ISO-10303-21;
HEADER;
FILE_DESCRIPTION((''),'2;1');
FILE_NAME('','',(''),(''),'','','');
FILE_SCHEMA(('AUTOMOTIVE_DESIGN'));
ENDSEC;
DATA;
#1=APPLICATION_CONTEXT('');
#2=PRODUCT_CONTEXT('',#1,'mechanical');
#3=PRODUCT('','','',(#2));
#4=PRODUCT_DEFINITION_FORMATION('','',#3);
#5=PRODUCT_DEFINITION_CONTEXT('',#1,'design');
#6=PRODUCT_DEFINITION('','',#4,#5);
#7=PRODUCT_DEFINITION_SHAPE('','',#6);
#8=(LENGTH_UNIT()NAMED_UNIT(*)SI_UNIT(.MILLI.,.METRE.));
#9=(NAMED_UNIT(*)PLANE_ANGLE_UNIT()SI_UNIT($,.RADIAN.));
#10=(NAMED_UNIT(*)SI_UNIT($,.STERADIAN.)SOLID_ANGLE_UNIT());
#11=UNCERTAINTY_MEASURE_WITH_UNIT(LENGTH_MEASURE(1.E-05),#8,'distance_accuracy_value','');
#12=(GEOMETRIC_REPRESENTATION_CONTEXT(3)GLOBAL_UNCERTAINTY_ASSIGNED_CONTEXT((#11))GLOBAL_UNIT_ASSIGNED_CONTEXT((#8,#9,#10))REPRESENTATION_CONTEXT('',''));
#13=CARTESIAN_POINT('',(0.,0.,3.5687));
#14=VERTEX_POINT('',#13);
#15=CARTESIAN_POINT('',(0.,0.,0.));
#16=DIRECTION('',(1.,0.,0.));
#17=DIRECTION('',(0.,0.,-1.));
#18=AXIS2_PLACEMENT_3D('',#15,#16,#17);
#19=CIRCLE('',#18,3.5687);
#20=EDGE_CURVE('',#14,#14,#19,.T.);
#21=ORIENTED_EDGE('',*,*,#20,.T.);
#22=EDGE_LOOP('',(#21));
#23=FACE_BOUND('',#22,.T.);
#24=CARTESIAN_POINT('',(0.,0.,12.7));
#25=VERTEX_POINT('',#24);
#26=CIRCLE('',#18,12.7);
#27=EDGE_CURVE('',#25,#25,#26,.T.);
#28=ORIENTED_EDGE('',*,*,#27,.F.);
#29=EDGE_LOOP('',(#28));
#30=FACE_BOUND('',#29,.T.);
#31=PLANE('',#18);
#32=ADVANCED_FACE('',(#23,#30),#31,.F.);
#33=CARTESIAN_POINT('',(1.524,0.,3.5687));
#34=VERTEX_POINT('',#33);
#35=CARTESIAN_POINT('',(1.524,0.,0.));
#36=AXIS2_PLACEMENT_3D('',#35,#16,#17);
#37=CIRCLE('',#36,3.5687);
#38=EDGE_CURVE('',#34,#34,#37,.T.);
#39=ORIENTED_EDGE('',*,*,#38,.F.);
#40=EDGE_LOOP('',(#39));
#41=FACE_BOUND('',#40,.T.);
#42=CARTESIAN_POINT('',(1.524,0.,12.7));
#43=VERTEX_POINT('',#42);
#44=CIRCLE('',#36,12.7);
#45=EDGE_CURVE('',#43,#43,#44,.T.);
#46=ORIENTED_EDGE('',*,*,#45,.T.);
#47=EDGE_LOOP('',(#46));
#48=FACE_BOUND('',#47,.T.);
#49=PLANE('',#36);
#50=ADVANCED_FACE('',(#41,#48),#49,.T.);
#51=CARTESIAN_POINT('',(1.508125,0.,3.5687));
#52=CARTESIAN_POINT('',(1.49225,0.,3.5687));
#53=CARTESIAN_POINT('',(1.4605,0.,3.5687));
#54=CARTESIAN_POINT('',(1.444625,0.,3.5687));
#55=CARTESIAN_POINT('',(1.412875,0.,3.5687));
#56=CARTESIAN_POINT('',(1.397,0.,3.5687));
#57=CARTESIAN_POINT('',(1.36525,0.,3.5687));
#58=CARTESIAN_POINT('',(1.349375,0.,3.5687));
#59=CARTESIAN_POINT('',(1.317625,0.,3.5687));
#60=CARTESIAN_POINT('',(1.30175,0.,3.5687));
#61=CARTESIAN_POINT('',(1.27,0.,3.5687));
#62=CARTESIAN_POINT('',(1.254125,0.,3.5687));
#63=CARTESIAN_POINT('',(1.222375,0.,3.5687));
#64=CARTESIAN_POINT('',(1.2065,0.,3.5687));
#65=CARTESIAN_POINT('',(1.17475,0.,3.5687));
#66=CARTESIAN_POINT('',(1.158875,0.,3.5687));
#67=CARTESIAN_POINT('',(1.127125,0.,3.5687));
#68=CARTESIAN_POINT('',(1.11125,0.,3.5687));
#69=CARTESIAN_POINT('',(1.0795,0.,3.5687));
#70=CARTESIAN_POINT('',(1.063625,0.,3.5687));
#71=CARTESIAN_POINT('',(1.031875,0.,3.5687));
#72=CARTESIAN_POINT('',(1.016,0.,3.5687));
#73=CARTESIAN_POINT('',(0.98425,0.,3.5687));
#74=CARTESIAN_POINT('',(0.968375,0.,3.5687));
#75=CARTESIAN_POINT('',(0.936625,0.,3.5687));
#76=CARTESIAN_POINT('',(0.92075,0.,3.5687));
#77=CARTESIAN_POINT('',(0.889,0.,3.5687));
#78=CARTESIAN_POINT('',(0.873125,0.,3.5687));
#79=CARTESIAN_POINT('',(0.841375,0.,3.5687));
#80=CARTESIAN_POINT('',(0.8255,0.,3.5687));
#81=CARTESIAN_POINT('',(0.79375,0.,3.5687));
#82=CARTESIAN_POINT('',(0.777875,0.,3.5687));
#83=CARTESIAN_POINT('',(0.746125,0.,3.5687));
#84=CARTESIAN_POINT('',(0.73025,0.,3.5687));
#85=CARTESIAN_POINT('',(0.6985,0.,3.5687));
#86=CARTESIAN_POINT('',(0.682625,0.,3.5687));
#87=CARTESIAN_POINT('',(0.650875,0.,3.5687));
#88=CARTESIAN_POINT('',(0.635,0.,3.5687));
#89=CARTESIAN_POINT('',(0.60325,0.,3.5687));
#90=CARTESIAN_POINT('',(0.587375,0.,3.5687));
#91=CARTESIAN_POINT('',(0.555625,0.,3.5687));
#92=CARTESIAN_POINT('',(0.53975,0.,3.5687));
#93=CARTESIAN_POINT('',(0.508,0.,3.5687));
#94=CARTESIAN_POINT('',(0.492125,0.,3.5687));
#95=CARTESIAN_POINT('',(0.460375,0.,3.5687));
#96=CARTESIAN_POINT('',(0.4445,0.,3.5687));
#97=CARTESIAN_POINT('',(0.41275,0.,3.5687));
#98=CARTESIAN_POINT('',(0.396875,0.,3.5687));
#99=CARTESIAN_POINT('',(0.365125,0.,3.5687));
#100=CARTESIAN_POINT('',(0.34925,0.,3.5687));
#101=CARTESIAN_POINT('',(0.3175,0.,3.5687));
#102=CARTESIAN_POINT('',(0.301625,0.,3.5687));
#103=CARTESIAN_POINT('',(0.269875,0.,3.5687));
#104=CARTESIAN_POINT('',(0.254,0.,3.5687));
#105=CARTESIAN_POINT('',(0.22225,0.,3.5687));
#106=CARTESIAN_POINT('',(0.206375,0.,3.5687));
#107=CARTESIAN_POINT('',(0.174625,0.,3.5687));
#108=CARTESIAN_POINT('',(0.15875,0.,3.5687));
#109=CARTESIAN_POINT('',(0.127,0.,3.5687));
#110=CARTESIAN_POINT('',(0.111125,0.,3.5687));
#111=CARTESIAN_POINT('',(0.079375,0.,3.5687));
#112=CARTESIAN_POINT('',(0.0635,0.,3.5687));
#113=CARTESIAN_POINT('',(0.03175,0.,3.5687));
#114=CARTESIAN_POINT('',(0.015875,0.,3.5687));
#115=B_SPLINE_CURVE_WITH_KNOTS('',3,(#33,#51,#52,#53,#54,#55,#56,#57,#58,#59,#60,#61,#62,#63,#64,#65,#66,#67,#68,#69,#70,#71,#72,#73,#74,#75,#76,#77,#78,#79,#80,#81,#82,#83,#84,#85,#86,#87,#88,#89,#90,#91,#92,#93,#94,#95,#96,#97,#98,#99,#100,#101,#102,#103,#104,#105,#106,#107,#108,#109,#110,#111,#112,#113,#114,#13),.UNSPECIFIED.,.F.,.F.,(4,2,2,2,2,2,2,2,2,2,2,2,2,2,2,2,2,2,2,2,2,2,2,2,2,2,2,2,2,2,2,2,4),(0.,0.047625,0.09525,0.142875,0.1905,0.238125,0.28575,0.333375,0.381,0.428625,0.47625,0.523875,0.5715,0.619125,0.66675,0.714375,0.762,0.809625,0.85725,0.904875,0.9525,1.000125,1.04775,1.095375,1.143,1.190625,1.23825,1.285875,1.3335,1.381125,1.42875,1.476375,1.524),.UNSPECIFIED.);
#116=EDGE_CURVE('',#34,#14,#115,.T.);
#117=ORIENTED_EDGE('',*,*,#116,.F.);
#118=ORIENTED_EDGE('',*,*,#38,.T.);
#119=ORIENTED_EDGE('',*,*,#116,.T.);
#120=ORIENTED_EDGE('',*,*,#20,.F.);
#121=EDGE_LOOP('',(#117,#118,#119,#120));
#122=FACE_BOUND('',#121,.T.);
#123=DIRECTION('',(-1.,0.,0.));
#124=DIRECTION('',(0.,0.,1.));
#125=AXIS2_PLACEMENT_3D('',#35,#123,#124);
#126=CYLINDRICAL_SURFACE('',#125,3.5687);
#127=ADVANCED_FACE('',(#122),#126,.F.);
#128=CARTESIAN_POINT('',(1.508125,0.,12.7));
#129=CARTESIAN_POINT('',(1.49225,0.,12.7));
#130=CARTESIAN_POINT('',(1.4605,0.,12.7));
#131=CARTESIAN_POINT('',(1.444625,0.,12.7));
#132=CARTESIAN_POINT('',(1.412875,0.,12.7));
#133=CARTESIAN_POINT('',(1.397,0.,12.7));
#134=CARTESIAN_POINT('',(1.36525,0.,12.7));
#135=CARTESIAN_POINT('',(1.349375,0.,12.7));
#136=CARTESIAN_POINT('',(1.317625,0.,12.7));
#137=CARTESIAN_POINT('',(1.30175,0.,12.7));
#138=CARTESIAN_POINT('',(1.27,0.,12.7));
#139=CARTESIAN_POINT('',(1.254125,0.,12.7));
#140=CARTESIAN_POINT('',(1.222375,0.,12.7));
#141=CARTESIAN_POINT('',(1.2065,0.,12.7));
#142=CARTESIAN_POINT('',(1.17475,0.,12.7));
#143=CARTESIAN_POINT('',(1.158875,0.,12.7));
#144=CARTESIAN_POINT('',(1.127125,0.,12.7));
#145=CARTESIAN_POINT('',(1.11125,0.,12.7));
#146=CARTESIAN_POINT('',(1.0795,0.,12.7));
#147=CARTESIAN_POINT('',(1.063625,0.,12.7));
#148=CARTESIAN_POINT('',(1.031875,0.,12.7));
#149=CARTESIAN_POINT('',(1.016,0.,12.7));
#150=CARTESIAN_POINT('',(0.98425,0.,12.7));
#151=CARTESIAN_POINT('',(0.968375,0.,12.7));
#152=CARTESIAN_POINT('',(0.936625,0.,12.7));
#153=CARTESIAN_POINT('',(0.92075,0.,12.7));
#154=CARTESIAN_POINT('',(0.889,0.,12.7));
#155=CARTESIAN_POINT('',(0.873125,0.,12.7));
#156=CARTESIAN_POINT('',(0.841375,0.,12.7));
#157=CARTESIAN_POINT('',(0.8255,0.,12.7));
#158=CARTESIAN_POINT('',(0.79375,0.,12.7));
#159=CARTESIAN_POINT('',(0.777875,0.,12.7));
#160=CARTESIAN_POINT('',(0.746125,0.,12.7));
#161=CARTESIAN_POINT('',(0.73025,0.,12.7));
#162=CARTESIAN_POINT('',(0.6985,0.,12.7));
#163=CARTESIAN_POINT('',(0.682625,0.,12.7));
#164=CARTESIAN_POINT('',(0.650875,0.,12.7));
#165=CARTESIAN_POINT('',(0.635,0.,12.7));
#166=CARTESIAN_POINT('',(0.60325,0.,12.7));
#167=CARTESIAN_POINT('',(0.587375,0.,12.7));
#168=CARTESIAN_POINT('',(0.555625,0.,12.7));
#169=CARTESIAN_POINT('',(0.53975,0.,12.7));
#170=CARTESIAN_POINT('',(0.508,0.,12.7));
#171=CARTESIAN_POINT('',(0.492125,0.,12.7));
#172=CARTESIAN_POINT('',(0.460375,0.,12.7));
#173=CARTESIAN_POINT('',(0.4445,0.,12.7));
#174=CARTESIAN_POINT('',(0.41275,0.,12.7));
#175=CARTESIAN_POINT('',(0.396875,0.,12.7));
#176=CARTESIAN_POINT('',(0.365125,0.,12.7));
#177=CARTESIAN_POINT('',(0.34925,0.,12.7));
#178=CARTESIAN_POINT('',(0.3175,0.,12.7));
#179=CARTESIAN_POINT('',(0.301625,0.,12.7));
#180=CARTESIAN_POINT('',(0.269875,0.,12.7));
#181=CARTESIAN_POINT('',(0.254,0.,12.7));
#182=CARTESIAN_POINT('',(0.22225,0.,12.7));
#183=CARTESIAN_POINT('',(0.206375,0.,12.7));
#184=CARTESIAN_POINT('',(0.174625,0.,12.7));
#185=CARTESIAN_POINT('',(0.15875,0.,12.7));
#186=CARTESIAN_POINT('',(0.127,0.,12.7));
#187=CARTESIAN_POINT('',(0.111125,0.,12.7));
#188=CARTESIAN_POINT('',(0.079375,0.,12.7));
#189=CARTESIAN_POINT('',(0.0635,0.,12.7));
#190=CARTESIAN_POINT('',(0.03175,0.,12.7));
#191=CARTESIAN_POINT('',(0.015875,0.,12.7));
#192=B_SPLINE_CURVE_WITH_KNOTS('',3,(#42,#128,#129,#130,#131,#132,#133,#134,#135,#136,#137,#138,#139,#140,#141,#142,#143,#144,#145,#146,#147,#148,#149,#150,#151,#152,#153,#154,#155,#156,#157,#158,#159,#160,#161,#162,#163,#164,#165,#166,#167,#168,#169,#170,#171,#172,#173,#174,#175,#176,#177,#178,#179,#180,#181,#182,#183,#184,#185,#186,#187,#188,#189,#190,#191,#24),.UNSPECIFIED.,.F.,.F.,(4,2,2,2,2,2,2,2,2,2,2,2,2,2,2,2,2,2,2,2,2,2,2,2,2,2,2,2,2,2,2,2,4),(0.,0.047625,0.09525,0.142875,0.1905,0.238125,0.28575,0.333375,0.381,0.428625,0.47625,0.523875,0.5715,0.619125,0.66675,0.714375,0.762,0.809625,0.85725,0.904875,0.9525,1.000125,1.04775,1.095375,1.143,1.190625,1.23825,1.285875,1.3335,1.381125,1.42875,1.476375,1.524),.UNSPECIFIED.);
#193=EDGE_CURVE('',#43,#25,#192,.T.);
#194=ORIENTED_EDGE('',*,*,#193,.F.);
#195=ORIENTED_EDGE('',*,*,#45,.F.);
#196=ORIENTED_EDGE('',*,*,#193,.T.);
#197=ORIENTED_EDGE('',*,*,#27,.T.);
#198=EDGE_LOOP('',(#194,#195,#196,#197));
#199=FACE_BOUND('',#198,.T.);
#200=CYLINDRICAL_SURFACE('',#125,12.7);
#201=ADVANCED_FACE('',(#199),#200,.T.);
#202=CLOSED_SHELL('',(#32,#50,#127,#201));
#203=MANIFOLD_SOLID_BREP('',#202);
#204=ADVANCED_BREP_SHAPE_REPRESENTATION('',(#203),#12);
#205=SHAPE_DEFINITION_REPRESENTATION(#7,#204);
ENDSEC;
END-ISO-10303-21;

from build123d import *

# Parameters (mm, degrees)
SKETCH1_R           = 12.7
SKETCH1_R_2         = 3.5687
BOSS_EXTRUDE1_DEPTH = 1.524


with BuildPart() as part:
    # Sketch1 → Boss-Extrude1 (new body)
    with BuildSketch(Plane(origin=(0, 0, 0), x_dir=(0, 0, -1), z_dir=(1, 0, 0))):
        with Locations(Location((0, 0, 0), (0, 0, 180))):
            Circle(SKETCH1_R)
        with Locations(Location((0, 0, 0), (0, 0, 180))):
            Circle(SKETCH1_R_2, mode=Mode.SUBTRACT)
    extrude(amount=BOSS_EXTRUDE1_DEPTH)


solid = part.part
